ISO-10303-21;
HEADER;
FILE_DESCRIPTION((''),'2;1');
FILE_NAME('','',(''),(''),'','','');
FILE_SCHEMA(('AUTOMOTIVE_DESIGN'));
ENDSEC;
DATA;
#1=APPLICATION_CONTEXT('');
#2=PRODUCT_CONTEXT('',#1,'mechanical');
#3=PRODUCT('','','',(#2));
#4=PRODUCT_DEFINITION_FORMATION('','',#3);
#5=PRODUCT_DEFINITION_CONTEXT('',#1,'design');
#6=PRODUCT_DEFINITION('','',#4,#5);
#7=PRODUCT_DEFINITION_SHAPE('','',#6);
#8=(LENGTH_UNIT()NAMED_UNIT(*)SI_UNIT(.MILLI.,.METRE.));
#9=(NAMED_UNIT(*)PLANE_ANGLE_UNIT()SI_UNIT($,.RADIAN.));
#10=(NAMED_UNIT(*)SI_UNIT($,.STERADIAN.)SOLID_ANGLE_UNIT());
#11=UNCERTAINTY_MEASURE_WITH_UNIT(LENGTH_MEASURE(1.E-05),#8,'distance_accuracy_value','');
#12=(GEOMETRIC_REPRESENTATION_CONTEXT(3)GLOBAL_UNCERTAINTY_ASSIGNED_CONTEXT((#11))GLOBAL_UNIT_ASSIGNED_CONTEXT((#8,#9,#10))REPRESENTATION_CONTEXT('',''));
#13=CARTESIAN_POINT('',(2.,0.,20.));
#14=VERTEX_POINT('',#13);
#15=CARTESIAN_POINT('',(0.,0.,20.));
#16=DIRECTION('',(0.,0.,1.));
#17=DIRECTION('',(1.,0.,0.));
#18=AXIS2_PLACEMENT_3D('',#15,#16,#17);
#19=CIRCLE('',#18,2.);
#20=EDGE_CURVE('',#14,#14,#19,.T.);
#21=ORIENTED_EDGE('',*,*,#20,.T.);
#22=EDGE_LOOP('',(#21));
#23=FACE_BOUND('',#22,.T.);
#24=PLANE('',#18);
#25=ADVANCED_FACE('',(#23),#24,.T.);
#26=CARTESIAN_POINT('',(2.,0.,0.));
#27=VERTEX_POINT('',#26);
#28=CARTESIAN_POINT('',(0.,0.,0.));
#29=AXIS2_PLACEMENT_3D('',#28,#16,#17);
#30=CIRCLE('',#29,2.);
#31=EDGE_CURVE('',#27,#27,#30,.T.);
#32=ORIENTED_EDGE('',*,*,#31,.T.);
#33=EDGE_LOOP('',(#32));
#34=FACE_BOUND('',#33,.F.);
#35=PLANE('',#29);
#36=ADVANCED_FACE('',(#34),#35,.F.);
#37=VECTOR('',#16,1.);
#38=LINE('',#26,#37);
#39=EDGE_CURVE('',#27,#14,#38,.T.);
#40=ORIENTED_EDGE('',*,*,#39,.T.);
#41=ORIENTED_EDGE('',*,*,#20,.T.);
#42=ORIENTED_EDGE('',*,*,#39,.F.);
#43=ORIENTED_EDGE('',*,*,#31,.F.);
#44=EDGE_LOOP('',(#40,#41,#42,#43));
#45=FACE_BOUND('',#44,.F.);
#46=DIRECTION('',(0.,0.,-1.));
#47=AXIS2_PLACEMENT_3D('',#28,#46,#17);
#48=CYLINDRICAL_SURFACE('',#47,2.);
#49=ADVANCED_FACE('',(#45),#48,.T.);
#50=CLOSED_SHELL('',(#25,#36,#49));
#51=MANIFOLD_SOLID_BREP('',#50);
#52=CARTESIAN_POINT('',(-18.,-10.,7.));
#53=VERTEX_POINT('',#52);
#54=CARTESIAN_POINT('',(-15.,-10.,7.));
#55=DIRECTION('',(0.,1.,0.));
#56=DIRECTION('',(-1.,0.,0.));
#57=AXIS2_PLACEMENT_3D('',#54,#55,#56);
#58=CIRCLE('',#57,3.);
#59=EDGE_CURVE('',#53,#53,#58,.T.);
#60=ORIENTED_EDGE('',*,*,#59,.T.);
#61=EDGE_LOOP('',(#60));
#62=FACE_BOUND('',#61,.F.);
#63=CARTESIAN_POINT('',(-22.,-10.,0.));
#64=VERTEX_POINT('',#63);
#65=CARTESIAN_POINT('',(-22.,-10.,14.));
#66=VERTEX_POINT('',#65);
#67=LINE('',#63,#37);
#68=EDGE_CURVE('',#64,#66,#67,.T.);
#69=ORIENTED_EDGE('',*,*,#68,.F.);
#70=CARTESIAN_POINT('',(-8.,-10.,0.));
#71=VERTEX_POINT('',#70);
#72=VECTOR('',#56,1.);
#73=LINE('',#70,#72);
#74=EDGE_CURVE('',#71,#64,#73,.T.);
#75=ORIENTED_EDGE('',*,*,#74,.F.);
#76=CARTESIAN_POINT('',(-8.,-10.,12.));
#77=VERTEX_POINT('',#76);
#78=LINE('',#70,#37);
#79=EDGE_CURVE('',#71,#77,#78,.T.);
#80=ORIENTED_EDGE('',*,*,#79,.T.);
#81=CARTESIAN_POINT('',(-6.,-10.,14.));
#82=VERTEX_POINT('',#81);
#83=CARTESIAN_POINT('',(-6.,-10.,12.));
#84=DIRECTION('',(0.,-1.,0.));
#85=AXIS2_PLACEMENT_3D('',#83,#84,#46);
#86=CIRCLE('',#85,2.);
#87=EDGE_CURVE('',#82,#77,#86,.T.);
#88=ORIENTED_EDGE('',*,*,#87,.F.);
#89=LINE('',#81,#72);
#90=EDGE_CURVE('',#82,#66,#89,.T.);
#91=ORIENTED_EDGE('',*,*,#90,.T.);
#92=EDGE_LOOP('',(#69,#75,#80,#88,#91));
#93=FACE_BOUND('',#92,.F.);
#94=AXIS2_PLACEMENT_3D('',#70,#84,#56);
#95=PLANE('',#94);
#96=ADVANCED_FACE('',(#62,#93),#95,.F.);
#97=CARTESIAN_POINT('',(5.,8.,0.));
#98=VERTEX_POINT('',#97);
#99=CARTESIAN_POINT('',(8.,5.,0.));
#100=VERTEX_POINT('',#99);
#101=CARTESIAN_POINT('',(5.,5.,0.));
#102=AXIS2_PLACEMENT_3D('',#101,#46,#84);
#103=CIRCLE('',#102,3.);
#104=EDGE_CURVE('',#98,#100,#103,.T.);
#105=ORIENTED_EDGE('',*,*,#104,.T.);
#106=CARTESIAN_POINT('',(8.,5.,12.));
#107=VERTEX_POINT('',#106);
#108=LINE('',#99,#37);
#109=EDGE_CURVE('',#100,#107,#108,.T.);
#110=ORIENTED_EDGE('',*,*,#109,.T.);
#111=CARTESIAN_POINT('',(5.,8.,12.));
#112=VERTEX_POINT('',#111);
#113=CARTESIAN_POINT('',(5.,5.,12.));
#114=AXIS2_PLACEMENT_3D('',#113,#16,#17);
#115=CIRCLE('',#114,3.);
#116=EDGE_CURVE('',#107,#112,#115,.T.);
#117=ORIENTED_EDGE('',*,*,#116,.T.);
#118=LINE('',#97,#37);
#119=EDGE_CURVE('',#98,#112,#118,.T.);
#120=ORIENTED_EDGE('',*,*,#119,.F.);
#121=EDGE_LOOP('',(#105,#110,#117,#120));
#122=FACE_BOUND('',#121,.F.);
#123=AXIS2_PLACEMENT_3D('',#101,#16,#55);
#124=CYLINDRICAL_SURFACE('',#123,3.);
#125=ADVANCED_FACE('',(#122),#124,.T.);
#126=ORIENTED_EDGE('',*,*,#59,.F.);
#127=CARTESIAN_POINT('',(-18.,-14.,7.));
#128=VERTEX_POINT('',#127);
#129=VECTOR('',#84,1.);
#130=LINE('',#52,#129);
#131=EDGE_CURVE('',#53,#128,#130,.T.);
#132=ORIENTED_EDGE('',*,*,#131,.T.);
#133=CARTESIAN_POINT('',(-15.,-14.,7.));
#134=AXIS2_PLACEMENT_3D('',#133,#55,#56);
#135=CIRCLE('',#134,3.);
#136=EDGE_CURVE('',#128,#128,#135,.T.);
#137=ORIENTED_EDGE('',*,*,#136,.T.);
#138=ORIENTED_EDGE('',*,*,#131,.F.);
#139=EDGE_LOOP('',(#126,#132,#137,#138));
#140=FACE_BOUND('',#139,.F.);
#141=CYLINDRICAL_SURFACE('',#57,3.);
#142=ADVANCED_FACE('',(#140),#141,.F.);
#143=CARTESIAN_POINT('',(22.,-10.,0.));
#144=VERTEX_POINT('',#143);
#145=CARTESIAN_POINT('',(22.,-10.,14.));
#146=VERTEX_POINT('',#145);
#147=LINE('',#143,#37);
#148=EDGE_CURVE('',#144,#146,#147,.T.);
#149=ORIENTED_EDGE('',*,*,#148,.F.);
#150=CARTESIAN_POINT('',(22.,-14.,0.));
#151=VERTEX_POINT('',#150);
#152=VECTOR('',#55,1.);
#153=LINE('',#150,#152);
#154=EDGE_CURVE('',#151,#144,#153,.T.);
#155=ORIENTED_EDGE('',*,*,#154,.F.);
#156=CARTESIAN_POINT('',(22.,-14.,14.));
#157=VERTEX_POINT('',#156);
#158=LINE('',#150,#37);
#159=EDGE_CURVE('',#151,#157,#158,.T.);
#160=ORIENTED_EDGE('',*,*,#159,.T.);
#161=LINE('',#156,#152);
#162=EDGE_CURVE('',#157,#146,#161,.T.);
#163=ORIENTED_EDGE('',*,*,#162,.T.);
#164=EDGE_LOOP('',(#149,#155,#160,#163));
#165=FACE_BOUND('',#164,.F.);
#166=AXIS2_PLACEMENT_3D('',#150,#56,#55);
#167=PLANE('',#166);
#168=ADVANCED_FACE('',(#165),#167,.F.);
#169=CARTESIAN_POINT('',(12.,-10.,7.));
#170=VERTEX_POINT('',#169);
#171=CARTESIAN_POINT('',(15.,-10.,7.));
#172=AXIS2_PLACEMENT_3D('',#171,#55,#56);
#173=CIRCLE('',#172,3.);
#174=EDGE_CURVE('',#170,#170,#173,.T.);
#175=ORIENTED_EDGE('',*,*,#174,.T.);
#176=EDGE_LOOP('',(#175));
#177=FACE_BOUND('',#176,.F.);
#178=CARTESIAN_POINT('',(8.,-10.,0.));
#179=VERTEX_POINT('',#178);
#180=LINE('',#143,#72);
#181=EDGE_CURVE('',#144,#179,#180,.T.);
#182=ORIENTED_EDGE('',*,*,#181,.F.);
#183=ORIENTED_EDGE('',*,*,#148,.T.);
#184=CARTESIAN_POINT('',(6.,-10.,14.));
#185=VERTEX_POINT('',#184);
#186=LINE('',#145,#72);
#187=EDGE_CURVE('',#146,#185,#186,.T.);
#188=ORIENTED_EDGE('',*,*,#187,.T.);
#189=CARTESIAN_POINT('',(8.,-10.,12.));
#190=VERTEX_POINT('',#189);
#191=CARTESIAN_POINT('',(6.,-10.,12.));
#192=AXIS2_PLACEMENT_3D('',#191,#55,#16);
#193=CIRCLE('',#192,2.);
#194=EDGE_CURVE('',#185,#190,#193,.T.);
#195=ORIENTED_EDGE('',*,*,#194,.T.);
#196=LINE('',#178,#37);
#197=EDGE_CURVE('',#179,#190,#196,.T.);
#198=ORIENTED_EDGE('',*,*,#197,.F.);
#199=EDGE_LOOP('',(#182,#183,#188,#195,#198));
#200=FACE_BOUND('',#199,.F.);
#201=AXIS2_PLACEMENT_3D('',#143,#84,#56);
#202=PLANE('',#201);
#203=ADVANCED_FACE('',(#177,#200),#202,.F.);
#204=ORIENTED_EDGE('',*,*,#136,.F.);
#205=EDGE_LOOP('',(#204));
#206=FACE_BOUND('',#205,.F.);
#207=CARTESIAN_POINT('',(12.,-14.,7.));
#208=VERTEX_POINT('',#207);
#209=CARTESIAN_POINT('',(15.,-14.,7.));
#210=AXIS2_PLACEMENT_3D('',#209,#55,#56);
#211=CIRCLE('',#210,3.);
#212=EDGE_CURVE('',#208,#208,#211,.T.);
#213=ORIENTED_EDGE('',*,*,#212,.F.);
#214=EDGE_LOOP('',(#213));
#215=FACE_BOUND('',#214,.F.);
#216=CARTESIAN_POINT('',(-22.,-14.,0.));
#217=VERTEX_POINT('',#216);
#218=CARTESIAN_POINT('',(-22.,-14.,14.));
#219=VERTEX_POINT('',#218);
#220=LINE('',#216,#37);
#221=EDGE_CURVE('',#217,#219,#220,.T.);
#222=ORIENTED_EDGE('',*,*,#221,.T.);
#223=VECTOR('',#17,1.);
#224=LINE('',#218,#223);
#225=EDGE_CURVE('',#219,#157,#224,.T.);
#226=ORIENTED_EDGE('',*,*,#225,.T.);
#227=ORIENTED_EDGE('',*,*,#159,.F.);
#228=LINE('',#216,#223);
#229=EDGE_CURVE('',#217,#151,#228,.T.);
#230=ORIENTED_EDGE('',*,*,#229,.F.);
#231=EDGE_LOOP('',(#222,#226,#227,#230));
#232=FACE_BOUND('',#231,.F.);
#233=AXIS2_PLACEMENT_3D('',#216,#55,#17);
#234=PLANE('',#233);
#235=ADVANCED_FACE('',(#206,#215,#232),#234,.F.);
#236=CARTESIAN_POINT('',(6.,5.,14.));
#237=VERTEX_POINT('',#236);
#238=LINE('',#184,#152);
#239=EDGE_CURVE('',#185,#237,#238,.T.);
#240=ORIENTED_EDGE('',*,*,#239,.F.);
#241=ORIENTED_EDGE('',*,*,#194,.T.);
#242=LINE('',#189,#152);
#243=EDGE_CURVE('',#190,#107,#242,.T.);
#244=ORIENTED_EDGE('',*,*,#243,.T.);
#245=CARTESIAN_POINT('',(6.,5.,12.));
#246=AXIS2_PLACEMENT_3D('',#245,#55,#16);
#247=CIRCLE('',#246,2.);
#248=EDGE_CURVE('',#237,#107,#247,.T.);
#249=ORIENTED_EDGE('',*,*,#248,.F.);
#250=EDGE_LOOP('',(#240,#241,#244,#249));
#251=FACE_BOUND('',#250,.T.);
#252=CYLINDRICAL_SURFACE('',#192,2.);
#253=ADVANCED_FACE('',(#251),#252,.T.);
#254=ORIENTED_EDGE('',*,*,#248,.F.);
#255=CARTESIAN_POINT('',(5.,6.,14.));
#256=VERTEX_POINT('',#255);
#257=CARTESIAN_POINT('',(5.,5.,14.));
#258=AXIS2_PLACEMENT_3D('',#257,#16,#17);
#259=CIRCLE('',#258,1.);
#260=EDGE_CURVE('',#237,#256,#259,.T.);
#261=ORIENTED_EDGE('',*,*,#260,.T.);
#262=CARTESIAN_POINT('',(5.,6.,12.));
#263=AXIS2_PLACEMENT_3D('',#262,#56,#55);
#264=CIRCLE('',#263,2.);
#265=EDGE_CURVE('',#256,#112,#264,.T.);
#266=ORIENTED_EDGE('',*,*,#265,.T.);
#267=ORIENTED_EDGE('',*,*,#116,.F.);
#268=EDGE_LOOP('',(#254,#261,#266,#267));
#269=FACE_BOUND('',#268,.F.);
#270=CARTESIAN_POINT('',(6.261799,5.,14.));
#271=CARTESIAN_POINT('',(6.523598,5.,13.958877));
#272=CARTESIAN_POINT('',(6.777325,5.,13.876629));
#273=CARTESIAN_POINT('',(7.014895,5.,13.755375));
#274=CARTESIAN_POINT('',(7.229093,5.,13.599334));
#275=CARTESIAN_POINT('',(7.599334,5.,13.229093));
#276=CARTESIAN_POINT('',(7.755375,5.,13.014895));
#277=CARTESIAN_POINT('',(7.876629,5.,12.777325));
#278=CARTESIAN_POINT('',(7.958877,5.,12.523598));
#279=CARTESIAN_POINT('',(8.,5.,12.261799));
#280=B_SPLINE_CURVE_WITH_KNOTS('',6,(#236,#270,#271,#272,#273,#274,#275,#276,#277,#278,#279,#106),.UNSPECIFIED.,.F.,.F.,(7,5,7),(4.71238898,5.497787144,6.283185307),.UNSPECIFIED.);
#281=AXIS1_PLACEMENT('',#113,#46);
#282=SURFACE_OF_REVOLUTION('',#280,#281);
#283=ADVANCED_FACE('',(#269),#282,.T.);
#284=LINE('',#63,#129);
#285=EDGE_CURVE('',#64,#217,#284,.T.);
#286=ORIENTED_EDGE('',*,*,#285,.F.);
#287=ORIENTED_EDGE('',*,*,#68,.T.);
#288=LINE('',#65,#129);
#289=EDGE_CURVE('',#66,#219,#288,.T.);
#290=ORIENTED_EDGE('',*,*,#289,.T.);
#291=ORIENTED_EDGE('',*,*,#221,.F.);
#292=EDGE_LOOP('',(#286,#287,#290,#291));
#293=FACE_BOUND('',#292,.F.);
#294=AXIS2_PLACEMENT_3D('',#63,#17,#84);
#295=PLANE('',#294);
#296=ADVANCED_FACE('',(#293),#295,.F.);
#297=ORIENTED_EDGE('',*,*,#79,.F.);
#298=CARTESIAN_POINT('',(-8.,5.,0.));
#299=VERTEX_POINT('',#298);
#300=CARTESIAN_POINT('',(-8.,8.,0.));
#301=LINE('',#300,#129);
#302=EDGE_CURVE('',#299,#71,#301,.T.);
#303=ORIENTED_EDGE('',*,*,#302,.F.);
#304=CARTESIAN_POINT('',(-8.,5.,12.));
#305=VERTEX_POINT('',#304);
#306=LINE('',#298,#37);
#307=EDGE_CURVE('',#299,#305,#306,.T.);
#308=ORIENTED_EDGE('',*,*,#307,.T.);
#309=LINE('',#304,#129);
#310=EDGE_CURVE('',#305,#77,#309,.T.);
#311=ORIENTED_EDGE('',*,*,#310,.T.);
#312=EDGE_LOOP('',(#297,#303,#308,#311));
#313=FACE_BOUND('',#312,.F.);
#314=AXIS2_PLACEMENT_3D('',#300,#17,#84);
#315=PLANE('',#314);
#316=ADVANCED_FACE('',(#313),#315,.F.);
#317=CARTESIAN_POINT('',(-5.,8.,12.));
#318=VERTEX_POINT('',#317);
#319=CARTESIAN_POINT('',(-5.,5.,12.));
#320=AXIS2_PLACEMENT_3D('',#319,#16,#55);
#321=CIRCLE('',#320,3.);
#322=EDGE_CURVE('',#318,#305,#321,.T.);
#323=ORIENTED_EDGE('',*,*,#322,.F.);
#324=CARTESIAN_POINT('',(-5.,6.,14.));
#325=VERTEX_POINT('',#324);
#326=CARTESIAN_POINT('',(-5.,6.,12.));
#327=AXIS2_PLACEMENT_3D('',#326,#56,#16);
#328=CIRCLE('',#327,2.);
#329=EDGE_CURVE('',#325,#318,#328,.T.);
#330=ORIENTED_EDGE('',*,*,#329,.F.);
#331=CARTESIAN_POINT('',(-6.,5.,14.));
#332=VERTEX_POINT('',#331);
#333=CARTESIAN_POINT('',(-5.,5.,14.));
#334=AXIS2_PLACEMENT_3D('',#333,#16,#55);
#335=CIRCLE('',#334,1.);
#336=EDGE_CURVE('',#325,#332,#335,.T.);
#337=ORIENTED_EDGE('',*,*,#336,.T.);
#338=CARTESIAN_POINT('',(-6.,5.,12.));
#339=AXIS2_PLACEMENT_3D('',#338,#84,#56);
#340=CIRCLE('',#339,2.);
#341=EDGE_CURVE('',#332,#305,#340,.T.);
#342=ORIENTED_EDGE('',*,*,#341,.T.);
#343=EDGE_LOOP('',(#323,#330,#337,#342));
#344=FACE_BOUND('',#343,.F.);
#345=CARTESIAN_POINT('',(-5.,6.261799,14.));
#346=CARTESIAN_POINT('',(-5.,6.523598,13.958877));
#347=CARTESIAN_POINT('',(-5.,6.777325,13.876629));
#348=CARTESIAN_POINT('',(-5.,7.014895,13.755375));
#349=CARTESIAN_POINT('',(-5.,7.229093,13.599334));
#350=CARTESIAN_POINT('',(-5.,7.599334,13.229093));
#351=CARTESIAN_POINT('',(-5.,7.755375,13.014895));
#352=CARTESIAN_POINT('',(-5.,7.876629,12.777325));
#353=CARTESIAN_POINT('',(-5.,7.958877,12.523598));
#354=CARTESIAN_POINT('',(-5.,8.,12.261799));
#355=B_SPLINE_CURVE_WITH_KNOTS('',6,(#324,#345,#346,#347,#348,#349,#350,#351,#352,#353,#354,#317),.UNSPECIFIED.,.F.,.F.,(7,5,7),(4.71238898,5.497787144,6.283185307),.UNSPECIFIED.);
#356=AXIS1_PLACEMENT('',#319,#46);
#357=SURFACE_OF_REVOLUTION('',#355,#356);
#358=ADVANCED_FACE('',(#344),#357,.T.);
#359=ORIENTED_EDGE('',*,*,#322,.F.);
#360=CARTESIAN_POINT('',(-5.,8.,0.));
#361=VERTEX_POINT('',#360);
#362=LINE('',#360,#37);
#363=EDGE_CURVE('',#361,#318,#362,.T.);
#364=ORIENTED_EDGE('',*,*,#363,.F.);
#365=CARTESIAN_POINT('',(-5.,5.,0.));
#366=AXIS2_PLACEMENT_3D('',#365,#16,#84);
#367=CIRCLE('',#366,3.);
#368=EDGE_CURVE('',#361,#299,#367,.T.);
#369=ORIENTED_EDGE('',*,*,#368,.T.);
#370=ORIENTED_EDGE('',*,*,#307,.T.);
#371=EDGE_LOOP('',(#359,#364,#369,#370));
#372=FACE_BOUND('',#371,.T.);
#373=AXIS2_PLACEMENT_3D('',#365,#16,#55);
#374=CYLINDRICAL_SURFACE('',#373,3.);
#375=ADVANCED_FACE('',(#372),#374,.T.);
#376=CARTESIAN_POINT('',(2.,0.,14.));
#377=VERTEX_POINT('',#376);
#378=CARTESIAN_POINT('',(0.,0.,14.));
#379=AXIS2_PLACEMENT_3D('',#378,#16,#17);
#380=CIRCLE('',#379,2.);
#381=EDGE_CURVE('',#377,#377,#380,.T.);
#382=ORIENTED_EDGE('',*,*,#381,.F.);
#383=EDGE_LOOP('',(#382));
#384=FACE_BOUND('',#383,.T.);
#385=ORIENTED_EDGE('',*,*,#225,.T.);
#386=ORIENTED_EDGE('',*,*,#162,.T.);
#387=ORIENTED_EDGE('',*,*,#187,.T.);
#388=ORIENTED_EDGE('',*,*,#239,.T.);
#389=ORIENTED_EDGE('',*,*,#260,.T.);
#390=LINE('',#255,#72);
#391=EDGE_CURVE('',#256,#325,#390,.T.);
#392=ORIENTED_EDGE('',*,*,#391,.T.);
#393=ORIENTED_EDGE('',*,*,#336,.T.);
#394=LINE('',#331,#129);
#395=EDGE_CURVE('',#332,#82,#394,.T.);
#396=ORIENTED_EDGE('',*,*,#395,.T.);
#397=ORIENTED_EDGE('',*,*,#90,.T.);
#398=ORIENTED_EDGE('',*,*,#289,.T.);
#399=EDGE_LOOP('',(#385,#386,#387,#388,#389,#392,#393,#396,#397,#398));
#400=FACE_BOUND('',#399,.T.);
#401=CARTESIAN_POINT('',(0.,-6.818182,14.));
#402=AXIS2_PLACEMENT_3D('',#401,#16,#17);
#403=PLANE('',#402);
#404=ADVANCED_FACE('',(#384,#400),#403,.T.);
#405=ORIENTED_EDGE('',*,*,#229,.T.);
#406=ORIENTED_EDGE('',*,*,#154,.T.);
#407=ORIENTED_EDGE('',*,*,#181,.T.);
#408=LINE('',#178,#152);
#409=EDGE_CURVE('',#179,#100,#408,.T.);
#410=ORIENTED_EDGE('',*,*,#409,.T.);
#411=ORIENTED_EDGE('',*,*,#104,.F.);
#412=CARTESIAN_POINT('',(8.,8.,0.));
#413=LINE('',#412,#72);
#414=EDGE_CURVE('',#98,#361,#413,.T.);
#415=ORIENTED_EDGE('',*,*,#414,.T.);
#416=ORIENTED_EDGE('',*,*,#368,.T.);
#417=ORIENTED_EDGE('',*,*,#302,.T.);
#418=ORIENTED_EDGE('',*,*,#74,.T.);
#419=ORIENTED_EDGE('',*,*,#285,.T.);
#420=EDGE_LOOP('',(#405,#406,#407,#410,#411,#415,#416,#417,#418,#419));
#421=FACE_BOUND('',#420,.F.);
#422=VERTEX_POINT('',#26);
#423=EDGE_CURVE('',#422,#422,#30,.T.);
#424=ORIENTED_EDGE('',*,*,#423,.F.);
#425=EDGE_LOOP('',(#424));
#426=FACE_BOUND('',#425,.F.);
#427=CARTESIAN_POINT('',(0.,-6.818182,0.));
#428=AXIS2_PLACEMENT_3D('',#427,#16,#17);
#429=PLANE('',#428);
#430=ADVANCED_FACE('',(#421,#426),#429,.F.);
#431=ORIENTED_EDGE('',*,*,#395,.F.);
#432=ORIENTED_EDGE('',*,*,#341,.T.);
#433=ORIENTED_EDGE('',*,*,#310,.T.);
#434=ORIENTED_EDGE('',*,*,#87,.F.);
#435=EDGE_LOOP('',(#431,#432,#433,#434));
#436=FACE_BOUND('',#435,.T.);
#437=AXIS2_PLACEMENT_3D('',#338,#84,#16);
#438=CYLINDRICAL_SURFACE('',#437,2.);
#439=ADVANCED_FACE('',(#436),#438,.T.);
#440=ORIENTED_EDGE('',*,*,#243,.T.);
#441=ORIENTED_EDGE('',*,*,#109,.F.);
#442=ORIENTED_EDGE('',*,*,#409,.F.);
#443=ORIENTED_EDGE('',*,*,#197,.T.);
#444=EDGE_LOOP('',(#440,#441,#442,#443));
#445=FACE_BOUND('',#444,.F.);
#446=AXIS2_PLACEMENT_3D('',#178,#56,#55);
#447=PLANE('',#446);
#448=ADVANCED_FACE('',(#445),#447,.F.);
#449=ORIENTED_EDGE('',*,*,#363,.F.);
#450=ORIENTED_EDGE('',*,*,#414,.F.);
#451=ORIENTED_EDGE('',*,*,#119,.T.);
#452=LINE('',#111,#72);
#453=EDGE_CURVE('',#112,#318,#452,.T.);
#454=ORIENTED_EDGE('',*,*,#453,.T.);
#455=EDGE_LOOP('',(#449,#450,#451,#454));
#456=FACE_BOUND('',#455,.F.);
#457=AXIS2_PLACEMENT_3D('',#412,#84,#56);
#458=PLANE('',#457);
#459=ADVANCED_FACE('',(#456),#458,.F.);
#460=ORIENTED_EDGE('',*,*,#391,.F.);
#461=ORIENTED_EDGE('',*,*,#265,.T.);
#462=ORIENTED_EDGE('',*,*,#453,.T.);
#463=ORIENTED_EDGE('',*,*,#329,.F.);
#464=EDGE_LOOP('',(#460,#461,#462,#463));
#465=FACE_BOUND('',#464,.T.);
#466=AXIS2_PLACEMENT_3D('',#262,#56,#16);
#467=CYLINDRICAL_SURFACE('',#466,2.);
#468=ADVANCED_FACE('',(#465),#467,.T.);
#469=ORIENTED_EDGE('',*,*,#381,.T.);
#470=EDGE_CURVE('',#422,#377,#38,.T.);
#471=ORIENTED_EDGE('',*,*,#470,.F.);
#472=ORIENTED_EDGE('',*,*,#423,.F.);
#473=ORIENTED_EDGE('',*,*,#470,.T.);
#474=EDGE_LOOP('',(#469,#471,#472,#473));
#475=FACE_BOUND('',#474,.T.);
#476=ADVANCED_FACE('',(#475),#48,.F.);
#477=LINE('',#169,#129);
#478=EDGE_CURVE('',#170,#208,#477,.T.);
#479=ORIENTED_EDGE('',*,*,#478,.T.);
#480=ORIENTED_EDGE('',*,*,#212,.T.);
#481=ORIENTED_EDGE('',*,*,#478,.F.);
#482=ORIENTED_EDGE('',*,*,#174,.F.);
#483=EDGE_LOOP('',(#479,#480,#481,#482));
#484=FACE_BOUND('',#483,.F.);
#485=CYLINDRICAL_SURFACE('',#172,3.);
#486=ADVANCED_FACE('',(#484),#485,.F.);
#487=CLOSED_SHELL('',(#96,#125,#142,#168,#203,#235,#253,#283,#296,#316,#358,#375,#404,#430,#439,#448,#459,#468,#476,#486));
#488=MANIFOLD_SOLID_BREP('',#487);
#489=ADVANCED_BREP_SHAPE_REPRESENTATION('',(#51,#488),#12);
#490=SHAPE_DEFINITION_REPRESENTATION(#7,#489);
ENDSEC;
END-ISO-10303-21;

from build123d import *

# Parameters (mm, degrees)
F0_R     = 2
F1_DEPTH = 20
F2_DEPTH = 14
F3_R     = 3
F5_DEPTH = 4.001
F4_R     = 3
F6_DEPTH = 4.001
F7_R     = 3
F8_R     = 3
F9_R     = 2


with BuildPart() as f1:
    # F0 (on Top) → F1 (new body)
    with BuildSketch(Plane.XY):
        Circle(F0_R)
    extrude(amount=F1_DEPTH)


with BuildPart() as f2:
    # F0 (on Top) → F2 (new body)
    with BuildSketch(Plane.XY):
        Polygon((8, 8), (-8, 8), (-8, -10), (-22, -10), (-22, -14), (22, -14), (22, -10), (8, -10), align=None)
        Circle(F0_R, mode=Mode.SUBTRACT)
    extrude(amount=F2_DEPTH)

    # F3 (on face) → F5 (cut, through all)
    with BuildSketch(Plane(origin=(0, -10, 0), x_dir=(-1, 0, 0), z_dir=(0, 1, 0))):
        with Locations((15, 7)):
            Circle(F3_R)
    extrude(amount=-F5_DEPTH, mode=Mode.SUBTRACT)

    # F4 (on face) → F6 (cut, through all)
    with BuildSketch(Plane(origin=(0, -10, 0), x_dir=(-1, 0, 0), z_dir=(0, 1, 0))):
        with Locations((-15, 7)):
            Circle(F4_R)
    extrude(amount=-F6_DEPTH, mode=Mode.SUBTRACT)

    # F7
    f7_edges = [f2.edges().sort_by_distance(p)[0] for p in [
        (-8, 8, 7),
    ]]
    fillet(f7_edges, radius=F7_R)

    # F8
    f8_edges = [f2.edges().sort_by_distance(p)[0] for p in [
        (8, 8, 7),
    ]]
    fillet(f8_edges, radius=F8_R)

    # F9
    f9_edges = [f2.edges().sort_by_distance(p)[0] for p in [
        (-8, -2.5, 14),
    ]]
    fillet(f9_edges, radius=F9_R)


solid = Compound([f1.part, f2.part])
